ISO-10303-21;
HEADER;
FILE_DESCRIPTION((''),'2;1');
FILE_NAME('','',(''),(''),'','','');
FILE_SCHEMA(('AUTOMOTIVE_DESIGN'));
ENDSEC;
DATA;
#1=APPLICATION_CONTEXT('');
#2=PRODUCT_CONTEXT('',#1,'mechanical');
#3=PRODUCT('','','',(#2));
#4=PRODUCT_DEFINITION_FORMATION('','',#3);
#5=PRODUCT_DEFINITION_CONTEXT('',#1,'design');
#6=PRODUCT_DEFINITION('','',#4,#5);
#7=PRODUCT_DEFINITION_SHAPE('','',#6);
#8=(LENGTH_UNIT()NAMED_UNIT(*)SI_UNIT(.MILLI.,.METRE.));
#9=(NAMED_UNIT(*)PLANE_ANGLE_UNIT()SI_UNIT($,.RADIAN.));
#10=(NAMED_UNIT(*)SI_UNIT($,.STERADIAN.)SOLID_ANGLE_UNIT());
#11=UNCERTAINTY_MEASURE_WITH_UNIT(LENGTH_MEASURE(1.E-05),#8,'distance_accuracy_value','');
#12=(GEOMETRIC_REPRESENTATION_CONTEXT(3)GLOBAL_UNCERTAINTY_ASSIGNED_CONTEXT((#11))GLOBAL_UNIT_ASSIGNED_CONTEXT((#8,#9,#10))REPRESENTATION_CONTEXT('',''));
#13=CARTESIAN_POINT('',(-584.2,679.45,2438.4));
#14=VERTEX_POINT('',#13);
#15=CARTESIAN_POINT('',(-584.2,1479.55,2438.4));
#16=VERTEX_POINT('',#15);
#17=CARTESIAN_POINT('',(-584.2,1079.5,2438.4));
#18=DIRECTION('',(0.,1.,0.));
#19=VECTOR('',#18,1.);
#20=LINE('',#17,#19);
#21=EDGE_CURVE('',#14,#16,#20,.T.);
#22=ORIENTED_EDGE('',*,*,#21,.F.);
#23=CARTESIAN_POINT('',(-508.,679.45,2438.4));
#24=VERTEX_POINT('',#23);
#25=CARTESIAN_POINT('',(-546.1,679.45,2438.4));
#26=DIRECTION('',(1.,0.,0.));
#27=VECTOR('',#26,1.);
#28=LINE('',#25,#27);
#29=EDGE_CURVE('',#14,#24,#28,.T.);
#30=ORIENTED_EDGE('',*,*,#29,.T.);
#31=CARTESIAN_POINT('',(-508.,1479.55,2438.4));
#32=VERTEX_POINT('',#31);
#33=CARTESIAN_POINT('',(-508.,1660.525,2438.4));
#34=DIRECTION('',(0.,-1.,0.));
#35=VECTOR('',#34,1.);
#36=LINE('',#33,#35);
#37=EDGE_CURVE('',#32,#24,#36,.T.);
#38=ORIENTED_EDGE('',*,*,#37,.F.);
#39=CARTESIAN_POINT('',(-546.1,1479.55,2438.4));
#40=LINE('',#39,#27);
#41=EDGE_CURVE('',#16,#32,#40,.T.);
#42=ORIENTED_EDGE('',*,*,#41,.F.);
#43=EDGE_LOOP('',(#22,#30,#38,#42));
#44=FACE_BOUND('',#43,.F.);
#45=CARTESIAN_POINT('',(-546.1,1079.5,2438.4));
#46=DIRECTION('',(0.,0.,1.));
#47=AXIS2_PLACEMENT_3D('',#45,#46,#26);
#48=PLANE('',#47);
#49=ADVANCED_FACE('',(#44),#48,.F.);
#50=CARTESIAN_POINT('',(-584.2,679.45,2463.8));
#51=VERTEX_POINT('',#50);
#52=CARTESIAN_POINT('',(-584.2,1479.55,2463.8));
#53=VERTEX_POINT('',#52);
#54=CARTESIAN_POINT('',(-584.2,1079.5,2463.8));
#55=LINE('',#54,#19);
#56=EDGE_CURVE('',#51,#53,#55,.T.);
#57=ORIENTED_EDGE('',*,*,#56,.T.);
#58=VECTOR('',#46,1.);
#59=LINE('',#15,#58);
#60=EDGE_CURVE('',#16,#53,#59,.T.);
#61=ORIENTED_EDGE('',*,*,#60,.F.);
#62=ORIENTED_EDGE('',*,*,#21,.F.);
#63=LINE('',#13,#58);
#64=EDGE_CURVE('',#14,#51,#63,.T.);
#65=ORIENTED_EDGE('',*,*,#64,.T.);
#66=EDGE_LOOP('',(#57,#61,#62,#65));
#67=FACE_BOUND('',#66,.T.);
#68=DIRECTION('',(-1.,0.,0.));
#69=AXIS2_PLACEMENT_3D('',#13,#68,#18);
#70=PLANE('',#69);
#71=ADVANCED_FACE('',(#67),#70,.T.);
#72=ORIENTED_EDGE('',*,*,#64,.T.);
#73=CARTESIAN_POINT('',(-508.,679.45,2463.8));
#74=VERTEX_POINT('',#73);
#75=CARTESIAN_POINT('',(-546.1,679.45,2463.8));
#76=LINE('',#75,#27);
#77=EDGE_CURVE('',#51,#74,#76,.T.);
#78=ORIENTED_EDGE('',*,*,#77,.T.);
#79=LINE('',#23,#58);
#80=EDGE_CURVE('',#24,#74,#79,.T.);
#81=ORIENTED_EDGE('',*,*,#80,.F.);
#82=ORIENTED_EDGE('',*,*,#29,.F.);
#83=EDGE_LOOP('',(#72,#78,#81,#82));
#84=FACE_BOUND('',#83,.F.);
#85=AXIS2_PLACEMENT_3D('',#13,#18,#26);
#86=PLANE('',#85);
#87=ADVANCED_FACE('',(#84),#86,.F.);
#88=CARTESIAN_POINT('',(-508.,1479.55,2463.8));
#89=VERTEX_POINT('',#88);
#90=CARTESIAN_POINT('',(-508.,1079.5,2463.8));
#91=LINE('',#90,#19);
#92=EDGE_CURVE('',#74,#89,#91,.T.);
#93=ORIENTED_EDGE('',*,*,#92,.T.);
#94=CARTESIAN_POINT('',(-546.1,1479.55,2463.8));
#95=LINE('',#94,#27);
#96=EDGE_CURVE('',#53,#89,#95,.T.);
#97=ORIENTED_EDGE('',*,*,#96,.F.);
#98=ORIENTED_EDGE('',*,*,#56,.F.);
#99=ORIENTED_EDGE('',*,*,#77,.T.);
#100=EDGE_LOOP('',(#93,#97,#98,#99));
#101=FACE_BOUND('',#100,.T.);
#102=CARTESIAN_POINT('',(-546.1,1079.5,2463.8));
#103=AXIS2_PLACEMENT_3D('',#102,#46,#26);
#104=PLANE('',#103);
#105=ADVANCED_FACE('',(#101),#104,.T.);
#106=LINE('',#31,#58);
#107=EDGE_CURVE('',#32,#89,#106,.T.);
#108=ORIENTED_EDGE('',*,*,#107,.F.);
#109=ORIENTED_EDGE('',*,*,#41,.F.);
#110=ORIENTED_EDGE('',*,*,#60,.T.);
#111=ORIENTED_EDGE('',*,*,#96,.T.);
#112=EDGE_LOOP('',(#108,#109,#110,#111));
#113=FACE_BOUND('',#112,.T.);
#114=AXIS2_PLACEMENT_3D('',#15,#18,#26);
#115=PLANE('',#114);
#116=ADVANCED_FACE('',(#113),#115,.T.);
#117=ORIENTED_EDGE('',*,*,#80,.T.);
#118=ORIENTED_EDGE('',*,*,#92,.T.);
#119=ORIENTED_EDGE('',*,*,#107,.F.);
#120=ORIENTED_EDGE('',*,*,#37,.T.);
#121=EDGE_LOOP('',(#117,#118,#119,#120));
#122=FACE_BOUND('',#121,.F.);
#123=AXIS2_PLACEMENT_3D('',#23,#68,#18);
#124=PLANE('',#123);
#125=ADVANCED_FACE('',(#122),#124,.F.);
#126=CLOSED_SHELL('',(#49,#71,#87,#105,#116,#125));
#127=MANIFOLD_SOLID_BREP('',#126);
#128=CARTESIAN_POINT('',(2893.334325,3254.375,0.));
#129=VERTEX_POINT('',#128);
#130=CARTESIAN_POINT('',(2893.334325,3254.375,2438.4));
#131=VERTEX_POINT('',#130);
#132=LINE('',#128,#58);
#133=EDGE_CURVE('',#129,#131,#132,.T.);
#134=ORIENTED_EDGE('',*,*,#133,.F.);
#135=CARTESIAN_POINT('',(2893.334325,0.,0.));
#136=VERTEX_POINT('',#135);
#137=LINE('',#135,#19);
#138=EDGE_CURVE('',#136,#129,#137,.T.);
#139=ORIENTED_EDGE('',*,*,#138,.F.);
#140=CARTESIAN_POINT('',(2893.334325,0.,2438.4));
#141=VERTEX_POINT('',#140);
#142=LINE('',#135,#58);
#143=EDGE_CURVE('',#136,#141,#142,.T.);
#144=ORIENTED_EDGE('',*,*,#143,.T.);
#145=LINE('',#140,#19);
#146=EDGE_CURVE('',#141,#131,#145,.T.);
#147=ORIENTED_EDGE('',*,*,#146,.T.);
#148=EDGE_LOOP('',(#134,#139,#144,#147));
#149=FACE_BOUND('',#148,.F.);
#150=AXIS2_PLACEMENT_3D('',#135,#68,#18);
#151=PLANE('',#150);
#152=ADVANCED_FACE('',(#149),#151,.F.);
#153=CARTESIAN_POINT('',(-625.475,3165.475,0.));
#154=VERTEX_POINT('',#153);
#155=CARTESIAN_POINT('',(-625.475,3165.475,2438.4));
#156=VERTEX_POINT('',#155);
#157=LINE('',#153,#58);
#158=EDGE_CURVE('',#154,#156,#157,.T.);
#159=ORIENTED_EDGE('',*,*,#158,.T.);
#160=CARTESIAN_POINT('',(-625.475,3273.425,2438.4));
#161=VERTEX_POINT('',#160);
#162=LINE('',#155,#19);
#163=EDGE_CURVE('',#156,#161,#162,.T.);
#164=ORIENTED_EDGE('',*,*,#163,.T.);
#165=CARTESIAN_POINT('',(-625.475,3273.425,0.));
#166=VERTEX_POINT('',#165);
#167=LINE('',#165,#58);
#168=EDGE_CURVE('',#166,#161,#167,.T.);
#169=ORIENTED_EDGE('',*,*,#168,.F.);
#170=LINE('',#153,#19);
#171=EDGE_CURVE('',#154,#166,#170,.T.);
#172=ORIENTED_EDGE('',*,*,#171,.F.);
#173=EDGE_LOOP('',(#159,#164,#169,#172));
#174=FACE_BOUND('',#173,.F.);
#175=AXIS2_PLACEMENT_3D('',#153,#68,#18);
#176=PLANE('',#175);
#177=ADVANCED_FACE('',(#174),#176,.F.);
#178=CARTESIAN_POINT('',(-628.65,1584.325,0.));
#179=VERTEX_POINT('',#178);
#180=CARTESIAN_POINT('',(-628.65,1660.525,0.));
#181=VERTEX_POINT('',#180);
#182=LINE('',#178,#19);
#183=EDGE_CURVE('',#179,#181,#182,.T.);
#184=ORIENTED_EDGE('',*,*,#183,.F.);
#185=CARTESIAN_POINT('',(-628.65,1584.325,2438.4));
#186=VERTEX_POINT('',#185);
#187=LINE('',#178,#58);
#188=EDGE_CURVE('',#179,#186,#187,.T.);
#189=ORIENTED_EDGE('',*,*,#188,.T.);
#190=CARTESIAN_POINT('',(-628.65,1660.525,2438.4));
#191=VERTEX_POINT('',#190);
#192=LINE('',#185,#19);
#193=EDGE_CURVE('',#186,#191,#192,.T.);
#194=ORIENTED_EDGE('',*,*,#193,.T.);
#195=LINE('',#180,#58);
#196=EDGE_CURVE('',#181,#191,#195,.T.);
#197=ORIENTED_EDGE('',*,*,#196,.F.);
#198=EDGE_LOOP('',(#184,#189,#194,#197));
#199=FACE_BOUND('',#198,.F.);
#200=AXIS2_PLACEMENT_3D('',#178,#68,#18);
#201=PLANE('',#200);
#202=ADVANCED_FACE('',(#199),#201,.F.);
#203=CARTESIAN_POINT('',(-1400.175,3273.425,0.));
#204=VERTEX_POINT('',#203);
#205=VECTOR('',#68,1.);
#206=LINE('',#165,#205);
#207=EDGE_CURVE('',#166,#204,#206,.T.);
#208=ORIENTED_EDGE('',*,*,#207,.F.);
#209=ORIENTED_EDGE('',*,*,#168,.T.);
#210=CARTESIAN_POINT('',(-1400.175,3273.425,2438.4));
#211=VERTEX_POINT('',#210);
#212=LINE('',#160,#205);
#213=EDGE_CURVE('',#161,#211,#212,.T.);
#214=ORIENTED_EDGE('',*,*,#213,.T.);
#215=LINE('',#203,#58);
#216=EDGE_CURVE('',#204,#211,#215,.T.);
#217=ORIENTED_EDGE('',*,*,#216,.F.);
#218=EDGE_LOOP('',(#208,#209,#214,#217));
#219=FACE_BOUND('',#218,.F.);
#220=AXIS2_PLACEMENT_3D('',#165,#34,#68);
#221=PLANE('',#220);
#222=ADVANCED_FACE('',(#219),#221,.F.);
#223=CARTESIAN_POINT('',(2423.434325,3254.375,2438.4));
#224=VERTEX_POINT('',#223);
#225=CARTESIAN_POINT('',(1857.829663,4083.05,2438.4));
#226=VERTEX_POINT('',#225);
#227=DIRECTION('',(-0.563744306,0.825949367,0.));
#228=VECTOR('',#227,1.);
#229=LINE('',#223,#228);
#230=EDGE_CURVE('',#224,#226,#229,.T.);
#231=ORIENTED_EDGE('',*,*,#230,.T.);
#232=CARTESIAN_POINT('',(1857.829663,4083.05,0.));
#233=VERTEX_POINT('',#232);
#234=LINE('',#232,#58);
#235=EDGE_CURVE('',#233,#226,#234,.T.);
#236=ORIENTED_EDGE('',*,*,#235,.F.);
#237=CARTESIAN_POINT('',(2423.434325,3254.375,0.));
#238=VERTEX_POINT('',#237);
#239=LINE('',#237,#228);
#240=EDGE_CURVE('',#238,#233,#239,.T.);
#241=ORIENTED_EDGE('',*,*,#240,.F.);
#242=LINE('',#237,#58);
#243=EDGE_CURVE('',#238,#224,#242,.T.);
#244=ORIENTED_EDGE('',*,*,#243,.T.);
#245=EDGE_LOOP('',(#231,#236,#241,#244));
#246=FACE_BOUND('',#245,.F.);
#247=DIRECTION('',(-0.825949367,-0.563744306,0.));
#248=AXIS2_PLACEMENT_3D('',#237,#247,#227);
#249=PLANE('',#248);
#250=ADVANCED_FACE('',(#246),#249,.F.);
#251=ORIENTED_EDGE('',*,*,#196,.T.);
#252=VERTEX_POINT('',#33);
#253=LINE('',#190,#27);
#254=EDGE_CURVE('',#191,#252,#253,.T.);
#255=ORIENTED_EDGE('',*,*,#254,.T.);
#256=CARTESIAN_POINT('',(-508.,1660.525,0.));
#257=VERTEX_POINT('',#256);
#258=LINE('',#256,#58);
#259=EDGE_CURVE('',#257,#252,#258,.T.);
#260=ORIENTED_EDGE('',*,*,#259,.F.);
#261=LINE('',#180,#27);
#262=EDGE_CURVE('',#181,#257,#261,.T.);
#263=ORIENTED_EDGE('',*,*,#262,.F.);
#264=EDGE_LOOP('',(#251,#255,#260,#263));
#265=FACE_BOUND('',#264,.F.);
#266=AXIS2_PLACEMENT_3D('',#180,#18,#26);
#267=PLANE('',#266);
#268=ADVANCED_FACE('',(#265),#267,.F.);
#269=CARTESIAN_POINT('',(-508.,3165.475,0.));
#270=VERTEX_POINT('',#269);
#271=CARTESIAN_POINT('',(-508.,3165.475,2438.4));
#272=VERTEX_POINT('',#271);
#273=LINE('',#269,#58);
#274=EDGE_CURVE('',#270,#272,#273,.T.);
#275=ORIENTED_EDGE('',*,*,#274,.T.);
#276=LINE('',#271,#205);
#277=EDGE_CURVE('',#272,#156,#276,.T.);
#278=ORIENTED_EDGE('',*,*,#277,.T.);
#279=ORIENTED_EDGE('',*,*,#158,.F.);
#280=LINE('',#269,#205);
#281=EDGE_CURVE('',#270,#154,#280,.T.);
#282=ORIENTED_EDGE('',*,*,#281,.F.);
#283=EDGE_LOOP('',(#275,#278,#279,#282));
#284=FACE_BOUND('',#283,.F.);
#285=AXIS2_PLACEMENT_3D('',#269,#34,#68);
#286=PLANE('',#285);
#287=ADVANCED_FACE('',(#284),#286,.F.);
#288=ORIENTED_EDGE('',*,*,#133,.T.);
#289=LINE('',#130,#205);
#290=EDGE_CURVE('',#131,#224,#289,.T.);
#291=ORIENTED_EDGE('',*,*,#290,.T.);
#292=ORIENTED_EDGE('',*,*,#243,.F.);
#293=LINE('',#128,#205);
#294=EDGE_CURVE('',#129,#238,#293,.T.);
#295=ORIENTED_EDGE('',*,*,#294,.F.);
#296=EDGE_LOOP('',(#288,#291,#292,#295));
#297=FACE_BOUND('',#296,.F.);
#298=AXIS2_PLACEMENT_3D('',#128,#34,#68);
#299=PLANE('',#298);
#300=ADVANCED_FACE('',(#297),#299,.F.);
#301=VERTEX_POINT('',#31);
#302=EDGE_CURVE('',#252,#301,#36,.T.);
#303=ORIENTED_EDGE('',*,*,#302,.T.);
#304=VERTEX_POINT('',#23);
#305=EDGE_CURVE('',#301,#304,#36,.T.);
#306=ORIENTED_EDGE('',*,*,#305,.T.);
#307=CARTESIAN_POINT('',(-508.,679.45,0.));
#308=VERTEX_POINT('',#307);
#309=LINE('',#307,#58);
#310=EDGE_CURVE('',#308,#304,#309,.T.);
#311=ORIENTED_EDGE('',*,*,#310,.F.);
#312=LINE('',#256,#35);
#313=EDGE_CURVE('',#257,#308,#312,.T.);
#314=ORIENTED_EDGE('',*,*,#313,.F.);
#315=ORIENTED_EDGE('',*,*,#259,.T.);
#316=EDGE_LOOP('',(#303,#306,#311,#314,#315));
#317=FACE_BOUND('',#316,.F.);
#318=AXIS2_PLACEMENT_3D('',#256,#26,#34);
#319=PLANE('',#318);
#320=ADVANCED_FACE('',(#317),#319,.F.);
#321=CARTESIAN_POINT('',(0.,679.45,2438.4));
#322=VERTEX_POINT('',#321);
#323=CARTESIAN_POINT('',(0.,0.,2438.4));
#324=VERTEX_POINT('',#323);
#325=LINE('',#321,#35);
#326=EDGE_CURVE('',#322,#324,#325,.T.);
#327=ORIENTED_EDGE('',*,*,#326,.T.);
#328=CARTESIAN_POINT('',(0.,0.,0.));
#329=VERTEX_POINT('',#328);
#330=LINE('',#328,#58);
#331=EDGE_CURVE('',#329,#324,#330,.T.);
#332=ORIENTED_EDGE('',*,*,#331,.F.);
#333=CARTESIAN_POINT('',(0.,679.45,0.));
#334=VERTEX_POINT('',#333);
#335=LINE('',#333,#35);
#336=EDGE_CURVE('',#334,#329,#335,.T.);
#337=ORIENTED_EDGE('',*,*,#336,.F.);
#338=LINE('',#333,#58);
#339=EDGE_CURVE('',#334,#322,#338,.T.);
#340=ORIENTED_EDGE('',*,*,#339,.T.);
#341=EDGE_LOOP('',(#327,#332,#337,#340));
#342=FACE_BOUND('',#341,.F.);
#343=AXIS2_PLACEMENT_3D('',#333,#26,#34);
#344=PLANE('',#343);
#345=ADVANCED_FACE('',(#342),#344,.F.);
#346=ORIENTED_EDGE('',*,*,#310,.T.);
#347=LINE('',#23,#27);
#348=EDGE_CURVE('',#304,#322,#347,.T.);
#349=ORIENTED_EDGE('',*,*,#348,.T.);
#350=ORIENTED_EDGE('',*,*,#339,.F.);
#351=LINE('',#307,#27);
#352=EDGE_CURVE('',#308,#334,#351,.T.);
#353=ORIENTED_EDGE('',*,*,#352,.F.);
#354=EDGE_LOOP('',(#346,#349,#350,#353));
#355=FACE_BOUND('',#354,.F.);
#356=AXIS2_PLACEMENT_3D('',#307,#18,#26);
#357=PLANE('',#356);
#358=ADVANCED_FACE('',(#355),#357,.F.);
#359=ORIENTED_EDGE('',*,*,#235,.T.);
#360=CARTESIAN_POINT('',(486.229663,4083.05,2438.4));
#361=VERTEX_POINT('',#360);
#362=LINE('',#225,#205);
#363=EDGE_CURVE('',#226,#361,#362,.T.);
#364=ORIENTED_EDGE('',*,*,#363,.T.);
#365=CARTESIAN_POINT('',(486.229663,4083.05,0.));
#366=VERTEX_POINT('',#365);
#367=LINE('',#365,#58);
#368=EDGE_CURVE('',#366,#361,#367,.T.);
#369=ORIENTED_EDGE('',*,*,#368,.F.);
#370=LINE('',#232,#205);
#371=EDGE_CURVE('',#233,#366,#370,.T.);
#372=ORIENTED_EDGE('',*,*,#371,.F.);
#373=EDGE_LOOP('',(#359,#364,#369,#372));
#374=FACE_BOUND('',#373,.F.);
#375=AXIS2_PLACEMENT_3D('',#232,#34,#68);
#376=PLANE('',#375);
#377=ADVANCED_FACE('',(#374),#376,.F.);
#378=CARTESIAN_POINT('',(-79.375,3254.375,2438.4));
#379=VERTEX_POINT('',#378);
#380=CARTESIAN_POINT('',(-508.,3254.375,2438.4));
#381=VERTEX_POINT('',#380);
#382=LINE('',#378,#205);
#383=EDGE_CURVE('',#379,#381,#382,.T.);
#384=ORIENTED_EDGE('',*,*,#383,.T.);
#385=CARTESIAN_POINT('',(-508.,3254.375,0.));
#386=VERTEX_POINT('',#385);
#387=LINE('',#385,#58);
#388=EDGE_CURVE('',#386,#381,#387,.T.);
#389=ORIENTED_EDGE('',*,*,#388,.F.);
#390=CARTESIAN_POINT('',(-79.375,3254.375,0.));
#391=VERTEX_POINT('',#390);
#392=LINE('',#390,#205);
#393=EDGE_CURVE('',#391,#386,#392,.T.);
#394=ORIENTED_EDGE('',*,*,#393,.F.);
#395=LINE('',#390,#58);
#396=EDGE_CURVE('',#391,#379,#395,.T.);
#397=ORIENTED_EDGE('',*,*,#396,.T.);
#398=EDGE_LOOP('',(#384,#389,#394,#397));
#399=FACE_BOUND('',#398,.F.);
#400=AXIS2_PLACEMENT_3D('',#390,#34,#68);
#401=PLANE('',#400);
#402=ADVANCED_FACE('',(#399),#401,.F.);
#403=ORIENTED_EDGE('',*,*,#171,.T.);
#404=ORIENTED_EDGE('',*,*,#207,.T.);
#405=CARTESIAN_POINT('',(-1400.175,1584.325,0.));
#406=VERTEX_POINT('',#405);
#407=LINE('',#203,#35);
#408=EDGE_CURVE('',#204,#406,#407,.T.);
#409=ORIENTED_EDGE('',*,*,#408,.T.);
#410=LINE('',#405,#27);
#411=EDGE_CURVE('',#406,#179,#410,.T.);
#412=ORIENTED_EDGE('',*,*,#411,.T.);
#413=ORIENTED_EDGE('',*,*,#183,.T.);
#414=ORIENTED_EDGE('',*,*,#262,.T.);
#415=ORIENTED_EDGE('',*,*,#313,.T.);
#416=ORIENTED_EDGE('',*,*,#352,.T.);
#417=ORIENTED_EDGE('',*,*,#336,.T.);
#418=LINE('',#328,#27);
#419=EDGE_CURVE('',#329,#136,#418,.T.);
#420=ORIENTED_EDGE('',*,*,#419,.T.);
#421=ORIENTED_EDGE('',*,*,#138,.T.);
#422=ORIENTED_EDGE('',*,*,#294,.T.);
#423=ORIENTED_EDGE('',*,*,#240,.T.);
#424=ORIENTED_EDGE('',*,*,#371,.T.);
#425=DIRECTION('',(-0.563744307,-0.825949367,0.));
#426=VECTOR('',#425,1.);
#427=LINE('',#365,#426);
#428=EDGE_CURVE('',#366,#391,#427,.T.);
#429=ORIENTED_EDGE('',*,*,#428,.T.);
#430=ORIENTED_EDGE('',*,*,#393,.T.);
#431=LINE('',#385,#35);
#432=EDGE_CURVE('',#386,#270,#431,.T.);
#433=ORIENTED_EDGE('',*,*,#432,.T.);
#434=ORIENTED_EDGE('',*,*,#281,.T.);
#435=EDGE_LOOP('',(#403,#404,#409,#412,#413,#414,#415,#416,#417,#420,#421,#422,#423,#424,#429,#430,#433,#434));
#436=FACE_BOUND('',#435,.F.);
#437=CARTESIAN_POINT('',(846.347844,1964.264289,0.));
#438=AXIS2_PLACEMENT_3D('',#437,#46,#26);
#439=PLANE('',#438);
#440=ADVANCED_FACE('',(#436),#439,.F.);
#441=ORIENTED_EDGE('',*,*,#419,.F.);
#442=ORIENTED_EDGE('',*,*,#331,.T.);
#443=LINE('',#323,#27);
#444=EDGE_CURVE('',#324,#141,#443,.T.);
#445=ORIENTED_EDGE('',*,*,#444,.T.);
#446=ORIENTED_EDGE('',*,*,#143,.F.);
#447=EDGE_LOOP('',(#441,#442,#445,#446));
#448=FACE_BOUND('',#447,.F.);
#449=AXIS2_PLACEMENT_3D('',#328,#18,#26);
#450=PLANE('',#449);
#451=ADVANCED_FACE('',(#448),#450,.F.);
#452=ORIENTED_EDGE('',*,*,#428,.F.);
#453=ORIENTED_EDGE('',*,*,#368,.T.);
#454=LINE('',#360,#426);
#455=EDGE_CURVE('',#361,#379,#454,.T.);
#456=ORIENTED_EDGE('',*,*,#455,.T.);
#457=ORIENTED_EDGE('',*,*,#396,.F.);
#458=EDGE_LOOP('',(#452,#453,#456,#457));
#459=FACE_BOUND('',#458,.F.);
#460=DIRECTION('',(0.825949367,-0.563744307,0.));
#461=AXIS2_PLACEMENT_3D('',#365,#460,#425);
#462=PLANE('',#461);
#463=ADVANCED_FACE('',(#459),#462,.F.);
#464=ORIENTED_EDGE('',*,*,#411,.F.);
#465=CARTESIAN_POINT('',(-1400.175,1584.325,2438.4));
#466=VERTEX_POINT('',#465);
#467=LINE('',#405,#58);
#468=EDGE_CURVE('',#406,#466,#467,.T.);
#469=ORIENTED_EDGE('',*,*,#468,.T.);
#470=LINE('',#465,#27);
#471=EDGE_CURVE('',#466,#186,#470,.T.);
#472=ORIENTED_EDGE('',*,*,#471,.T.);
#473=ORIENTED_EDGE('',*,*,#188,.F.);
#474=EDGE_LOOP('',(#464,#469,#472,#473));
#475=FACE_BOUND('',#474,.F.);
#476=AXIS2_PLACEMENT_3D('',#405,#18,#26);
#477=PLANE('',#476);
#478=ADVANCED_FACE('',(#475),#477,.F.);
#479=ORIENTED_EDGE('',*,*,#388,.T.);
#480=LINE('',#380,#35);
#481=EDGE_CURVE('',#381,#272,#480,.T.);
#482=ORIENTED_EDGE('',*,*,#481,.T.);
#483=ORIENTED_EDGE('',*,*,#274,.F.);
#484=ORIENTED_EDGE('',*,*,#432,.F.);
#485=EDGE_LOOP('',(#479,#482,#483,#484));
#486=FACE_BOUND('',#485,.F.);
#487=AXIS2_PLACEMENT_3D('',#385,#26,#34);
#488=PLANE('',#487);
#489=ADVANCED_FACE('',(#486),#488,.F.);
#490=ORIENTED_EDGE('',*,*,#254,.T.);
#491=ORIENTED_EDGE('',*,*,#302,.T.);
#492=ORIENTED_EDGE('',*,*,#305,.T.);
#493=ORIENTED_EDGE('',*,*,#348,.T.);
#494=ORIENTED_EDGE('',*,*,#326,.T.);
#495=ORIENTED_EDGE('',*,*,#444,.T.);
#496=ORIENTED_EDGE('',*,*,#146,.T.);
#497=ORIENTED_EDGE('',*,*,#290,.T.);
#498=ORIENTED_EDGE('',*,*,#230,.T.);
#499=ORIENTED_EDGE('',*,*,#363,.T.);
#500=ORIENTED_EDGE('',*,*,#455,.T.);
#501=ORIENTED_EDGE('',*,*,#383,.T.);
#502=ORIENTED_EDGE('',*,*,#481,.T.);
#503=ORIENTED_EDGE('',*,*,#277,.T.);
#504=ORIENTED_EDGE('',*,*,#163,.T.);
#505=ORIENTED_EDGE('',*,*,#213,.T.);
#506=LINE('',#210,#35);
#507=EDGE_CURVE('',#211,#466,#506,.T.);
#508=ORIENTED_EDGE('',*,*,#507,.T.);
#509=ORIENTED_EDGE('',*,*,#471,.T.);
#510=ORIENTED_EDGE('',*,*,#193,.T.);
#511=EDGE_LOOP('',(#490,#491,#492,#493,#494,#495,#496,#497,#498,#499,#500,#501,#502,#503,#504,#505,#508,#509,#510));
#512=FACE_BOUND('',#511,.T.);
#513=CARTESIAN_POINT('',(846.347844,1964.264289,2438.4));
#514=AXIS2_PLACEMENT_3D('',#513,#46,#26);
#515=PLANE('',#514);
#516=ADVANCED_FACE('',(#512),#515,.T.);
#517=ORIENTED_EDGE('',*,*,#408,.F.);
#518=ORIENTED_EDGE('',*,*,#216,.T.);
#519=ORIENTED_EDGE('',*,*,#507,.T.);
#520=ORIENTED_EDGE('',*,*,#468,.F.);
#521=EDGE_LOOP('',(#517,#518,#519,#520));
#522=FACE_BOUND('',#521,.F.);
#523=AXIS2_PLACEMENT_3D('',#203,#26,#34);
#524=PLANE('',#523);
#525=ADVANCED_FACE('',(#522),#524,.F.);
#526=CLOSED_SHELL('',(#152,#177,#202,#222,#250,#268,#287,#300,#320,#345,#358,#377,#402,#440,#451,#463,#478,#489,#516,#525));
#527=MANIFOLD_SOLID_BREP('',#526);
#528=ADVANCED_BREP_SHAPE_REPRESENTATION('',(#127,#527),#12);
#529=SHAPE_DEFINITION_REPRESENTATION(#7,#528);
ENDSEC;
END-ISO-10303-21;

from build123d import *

# Parameters (mm, degrees)
F1_DEPTH = 2438.4
F2_W     = 76.2
F2_H     = 800.1
F3_DEPTH = 25.4


with BuildPart() as f1:
    # F0 (on Top) → F1 (new body)
    with BuildSketch(Plane.XY):
        Polygon((1857.829663, 4083.05), (486.229663, 4083.05), (-79.375, 3254.375), (-508, 3254.375), (-508, 3165.475), (-625.475, 3165.475), (-625.475, 3273.425), (-1400.175, 3273.425), (-1400.175, 1584.325), (-628.65, 1584.325), (-628.65, 1660.525), (-508, 1660.525), (-508, 1479.55), (-508, 679.45), (0, 679.45), (0, 0), (2893.334325, 0), (2893.334325, 3254.375), (2423.434325, 3254.375), align=None)
    extrude(amount=F1_DEPTH)

    # F2 (on face) → F3 (join)
    with BuildSketch(Plane.XY.offset(2438.4)):
        with Locations((-546.1, 1079.5)):
            Rectangle(F2_W, F2_H)
    extrude(amount=F3_DEPTH)


solid = f1.part
